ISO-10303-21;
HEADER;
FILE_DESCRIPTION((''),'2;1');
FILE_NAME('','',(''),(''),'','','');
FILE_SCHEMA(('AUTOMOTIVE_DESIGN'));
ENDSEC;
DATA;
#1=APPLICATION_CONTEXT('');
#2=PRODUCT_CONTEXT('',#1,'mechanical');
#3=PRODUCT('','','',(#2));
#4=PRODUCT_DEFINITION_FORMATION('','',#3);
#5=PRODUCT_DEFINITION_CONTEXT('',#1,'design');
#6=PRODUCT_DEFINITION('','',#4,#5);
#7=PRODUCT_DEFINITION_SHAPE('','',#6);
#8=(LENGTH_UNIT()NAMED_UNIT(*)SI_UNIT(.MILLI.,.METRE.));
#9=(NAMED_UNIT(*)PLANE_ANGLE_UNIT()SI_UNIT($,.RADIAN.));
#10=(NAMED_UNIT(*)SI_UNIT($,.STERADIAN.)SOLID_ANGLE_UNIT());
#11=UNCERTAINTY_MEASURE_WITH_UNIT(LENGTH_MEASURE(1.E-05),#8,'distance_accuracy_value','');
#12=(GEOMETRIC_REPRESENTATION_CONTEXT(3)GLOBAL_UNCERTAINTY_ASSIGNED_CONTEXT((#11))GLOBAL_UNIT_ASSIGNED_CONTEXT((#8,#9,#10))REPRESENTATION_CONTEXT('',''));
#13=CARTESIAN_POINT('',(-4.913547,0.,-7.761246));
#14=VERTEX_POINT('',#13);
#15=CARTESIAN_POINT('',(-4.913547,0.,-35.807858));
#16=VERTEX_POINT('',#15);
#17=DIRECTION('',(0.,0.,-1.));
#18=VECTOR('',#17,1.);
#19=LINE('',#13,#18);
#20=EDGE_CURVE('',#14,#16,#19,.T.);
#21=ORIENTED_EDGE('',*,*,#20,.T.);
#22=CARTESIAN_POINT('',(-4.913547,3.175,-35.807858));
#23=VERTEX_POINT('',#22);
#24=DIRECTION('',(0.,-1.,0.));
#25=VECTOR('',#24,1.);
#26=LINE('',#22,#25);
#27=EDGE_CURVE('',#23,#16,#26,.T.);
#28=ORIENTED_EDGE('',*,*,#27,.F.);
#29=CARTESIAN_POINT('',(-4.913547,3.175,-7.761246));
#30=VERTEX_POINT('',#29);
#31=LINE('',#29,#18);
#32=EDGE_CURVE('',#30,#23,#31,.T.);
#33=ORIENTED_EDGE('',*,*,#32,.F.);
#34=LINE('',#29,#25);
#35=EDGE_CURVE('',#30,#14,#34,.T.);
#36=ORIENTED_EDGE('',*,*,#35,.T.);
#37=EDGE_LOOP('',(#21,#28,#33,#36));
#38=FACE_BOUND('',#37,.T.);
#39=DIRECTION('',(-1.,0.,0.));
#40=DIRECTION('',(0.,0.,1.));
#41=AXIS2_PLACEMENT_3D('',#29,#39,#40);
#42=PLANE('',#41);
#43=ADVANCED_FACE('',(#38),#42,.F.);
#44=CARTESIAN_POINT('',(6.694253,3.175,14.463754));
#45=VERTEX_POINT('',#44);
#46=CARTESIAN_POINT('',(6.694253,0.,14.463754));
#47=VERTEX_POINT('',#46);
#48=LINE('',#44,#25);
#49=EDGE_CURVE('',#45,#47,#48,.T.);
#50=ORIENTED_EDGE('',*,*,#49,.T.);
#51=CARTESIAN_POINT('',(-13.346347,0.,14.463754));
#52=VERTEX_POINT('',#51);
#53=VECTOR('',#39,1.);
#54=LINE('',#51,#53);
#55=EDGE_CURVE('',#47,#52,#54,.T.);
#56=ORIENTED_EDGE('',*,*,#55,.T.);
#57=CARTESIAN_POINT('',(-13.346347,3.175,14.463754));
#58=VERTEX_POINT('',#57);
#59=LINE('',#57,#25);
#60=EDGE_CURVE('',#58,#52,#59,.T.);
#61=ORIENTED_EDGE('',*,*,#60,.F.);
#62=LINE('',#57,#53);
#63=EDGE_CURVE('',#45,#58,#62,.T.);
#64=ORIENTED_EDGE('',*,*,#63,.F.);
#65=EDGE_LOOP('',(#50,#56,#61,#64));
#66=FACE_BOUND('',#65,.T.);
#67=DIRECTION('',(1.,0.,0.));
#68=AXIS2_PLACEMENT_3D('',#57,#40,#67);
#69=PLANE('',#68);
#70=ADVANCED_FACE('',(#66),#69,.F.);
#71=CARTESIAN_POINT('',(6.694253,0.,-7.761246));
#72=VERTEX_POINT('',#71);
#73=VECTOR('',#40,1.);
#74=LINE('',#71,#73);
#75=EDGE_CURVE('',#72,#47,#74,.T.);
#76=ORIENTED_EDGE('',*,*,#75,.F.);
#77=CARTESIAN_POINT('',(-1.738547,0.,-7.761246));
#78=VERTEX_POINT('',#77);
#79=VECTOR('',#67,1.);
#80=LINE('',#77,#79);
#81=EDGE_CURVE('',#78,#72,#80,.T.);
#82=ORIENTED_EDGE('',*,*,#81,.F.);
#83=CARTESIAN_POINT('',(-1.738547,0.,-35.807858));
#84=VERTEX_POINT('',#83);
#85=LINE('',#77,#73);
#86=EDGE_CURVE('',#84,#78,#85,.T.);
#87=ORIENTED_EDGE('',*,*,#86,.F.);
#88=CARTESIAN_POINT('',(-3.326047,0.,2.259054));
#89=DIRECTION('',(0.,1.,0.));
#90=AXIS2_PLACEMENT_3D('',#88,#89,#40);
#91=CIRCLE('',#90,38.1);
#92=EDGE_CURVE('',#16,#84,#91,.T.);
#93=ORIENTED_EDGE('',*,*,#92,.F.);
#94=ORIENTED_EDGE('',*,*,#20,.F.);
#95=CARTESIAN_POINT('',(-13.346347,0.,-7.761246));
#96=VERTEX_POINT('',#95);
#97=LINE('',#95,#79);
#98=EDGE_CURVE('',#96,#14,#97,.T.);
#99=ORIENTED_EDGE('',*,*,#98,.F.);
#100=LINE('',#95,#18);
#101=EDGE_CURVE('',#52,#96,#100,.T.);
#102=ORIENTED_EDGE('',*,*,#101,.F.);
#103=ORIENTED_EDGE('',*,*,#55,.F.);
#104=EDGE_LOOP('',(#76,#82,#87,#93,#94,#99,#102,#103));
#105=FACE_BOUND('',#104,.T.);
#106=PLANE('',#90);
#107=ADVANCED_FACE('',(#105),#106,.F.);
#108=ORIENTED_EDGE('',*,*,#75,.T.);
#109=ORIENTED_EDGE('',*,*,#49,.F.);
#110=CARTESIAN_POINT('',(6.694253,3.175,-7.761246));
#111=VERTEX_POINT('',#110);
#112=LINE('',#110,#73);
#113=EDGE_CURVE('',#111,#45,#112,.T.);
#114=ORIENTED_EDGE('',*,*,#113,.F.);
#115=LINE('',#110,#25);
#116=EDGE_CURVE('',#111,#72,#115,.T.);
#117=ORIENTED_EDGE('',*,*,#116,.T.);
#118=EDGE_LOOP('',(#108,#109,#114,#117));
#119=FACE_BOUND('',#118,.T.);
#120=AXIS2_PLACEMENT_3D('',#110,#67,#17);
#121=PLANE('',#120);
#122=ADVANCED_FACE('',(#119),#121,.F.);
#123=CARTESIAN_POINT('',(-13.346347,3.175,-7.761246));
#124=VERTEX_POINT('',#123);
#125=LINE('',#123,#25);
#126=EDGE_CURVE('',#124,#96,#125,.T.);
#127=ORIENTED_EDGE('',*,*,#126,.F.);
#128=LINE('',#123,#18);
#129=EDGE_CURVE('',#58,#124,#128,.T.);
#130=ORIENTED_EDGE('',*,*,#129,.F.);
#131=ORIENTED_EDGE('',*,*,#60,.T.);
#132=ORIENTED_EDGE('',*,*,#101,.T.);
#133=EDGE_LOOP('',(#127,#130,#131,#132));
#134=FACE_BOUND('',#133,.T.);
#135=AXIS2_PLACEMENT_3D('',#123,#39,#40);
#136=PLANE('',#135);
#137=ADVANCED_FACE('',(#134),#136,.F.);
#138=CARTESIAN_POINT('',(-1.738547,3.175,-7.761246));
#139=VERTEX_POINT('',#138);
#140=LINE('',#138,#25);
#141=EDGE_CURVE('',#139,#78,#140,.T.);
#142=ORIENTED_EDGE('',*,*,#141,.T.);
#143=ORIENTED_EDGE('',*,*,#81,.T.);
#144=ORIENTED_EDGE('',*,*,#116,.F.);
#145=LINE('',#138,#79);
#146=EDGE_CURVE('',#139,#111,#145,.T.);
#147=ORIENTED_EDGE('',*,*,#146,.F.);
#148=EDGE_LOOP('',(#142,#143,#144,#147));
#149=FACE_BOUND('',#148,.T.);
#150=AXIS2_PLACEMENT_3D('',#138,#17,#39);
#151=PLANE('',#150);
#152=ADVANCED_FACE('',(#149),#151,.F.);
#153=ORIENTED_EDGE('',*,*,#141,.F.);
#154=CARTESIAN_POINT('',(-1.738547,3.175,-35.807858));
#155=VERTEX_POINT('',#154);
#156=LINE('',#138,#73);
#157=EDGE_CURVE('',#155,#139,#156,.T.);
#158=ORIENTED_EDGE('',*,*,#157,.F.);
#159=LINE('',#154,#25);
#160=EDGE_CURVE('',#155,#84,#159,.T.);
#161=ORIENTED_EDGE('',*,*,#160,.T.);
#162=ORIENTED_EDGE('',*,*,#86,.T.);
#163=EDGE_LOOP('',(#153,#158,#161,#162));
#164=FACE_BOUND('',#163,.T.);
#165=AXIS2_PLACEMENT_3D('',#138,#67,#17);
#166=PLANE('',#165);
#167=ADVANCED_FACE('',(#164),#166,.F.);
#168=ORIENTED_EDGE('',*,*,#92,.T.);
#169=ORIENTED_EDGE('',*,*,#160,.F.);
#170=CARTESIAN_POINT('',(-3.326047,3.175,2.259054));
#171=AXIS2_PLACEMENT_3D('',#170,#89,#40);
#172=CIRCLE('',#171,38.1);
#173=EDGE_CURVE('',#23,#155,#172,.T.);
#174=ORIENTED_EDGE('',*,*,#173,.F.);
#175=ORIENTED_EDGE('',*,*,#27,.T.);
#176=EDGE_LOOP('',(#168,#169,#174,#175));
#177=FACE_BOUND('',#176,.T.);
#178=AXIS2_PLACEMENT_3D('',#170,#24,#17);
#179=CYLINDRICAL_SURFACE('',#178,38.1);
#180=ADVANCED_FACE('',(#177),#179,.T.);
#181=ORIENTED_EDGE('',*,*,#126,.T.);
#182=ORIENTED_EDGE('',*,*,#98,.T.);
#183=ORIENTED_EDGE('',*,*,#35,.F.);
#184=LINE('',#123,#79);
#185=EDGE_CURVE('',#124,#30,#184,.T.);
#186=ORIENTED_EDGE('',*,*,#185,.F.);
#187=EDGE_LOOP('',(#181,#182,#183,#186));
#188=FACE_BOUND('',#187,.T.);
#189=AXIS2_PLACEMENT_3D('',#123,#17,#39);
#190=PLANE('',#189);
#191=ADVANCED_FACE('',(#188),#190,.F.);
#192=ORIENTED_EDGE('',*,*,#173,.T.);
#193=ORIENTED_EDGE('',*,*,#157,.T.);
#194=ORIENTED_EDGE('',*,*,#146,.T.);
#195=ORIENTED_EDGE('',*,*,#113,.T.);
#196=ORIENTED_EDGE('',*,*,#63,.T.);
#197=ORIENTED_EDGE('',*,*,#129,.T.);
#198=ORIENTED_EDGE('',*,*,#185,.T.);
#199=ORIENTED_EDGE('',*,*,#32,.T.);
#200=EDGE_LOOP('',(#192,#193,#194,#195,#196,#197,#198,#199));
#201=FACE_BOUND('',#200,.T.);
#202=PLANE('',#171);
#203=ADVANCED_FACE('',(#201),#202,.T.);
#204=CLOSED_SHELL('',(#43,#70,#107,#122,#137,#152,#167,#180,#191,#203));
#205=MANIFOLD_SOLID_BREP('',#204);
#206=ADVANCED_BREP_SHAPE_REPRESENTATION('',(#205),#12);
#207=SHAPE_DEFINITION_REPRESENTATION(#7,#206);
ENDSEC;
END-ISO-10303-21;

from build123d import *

# Parameters (mm, degrees)
BOSS_EXTRUDE1_DEPTH = 3.175


with BuildPart() as part:
    # Sketch1 → Boss-Extrude1 (new body)
    with BuildSketch(Plane(origin=(0, 0, 0), x_dir=(1, 0, 0), z_dir=(0, 1, 0))):
        with BuildLine():
            Line((-4.913547078, 7.761245518), (-4.913547078, 35.807858234))
            ThreePointArc((-4.913547078, 35.807858234), (-3.326047078, -40.359054482), (-1.738547078, 35.807858234))
            Line((-1.738547078, 35.807858234), (-1.738547078, 7.761245518))
            Line((-1.738547078, 7.761245518), (6.694252922, 7.761245518))
            Line((6.694252922, 7.761245518), (6.694252922, -14.463754482))
            Line((6.694252922, -14.463754482), (-13.346347078, -14.463754482))
            Line((-13.346347078, -14.463754482), (-13.346347078, 7.761245518))
            Line((-13.346347078, 7.761245518), (-4.913547078, 7.761245518))
        make_face()
    extrude(amount=BOSS_EXTRUDE1_DEPTH)


solid = part.part
